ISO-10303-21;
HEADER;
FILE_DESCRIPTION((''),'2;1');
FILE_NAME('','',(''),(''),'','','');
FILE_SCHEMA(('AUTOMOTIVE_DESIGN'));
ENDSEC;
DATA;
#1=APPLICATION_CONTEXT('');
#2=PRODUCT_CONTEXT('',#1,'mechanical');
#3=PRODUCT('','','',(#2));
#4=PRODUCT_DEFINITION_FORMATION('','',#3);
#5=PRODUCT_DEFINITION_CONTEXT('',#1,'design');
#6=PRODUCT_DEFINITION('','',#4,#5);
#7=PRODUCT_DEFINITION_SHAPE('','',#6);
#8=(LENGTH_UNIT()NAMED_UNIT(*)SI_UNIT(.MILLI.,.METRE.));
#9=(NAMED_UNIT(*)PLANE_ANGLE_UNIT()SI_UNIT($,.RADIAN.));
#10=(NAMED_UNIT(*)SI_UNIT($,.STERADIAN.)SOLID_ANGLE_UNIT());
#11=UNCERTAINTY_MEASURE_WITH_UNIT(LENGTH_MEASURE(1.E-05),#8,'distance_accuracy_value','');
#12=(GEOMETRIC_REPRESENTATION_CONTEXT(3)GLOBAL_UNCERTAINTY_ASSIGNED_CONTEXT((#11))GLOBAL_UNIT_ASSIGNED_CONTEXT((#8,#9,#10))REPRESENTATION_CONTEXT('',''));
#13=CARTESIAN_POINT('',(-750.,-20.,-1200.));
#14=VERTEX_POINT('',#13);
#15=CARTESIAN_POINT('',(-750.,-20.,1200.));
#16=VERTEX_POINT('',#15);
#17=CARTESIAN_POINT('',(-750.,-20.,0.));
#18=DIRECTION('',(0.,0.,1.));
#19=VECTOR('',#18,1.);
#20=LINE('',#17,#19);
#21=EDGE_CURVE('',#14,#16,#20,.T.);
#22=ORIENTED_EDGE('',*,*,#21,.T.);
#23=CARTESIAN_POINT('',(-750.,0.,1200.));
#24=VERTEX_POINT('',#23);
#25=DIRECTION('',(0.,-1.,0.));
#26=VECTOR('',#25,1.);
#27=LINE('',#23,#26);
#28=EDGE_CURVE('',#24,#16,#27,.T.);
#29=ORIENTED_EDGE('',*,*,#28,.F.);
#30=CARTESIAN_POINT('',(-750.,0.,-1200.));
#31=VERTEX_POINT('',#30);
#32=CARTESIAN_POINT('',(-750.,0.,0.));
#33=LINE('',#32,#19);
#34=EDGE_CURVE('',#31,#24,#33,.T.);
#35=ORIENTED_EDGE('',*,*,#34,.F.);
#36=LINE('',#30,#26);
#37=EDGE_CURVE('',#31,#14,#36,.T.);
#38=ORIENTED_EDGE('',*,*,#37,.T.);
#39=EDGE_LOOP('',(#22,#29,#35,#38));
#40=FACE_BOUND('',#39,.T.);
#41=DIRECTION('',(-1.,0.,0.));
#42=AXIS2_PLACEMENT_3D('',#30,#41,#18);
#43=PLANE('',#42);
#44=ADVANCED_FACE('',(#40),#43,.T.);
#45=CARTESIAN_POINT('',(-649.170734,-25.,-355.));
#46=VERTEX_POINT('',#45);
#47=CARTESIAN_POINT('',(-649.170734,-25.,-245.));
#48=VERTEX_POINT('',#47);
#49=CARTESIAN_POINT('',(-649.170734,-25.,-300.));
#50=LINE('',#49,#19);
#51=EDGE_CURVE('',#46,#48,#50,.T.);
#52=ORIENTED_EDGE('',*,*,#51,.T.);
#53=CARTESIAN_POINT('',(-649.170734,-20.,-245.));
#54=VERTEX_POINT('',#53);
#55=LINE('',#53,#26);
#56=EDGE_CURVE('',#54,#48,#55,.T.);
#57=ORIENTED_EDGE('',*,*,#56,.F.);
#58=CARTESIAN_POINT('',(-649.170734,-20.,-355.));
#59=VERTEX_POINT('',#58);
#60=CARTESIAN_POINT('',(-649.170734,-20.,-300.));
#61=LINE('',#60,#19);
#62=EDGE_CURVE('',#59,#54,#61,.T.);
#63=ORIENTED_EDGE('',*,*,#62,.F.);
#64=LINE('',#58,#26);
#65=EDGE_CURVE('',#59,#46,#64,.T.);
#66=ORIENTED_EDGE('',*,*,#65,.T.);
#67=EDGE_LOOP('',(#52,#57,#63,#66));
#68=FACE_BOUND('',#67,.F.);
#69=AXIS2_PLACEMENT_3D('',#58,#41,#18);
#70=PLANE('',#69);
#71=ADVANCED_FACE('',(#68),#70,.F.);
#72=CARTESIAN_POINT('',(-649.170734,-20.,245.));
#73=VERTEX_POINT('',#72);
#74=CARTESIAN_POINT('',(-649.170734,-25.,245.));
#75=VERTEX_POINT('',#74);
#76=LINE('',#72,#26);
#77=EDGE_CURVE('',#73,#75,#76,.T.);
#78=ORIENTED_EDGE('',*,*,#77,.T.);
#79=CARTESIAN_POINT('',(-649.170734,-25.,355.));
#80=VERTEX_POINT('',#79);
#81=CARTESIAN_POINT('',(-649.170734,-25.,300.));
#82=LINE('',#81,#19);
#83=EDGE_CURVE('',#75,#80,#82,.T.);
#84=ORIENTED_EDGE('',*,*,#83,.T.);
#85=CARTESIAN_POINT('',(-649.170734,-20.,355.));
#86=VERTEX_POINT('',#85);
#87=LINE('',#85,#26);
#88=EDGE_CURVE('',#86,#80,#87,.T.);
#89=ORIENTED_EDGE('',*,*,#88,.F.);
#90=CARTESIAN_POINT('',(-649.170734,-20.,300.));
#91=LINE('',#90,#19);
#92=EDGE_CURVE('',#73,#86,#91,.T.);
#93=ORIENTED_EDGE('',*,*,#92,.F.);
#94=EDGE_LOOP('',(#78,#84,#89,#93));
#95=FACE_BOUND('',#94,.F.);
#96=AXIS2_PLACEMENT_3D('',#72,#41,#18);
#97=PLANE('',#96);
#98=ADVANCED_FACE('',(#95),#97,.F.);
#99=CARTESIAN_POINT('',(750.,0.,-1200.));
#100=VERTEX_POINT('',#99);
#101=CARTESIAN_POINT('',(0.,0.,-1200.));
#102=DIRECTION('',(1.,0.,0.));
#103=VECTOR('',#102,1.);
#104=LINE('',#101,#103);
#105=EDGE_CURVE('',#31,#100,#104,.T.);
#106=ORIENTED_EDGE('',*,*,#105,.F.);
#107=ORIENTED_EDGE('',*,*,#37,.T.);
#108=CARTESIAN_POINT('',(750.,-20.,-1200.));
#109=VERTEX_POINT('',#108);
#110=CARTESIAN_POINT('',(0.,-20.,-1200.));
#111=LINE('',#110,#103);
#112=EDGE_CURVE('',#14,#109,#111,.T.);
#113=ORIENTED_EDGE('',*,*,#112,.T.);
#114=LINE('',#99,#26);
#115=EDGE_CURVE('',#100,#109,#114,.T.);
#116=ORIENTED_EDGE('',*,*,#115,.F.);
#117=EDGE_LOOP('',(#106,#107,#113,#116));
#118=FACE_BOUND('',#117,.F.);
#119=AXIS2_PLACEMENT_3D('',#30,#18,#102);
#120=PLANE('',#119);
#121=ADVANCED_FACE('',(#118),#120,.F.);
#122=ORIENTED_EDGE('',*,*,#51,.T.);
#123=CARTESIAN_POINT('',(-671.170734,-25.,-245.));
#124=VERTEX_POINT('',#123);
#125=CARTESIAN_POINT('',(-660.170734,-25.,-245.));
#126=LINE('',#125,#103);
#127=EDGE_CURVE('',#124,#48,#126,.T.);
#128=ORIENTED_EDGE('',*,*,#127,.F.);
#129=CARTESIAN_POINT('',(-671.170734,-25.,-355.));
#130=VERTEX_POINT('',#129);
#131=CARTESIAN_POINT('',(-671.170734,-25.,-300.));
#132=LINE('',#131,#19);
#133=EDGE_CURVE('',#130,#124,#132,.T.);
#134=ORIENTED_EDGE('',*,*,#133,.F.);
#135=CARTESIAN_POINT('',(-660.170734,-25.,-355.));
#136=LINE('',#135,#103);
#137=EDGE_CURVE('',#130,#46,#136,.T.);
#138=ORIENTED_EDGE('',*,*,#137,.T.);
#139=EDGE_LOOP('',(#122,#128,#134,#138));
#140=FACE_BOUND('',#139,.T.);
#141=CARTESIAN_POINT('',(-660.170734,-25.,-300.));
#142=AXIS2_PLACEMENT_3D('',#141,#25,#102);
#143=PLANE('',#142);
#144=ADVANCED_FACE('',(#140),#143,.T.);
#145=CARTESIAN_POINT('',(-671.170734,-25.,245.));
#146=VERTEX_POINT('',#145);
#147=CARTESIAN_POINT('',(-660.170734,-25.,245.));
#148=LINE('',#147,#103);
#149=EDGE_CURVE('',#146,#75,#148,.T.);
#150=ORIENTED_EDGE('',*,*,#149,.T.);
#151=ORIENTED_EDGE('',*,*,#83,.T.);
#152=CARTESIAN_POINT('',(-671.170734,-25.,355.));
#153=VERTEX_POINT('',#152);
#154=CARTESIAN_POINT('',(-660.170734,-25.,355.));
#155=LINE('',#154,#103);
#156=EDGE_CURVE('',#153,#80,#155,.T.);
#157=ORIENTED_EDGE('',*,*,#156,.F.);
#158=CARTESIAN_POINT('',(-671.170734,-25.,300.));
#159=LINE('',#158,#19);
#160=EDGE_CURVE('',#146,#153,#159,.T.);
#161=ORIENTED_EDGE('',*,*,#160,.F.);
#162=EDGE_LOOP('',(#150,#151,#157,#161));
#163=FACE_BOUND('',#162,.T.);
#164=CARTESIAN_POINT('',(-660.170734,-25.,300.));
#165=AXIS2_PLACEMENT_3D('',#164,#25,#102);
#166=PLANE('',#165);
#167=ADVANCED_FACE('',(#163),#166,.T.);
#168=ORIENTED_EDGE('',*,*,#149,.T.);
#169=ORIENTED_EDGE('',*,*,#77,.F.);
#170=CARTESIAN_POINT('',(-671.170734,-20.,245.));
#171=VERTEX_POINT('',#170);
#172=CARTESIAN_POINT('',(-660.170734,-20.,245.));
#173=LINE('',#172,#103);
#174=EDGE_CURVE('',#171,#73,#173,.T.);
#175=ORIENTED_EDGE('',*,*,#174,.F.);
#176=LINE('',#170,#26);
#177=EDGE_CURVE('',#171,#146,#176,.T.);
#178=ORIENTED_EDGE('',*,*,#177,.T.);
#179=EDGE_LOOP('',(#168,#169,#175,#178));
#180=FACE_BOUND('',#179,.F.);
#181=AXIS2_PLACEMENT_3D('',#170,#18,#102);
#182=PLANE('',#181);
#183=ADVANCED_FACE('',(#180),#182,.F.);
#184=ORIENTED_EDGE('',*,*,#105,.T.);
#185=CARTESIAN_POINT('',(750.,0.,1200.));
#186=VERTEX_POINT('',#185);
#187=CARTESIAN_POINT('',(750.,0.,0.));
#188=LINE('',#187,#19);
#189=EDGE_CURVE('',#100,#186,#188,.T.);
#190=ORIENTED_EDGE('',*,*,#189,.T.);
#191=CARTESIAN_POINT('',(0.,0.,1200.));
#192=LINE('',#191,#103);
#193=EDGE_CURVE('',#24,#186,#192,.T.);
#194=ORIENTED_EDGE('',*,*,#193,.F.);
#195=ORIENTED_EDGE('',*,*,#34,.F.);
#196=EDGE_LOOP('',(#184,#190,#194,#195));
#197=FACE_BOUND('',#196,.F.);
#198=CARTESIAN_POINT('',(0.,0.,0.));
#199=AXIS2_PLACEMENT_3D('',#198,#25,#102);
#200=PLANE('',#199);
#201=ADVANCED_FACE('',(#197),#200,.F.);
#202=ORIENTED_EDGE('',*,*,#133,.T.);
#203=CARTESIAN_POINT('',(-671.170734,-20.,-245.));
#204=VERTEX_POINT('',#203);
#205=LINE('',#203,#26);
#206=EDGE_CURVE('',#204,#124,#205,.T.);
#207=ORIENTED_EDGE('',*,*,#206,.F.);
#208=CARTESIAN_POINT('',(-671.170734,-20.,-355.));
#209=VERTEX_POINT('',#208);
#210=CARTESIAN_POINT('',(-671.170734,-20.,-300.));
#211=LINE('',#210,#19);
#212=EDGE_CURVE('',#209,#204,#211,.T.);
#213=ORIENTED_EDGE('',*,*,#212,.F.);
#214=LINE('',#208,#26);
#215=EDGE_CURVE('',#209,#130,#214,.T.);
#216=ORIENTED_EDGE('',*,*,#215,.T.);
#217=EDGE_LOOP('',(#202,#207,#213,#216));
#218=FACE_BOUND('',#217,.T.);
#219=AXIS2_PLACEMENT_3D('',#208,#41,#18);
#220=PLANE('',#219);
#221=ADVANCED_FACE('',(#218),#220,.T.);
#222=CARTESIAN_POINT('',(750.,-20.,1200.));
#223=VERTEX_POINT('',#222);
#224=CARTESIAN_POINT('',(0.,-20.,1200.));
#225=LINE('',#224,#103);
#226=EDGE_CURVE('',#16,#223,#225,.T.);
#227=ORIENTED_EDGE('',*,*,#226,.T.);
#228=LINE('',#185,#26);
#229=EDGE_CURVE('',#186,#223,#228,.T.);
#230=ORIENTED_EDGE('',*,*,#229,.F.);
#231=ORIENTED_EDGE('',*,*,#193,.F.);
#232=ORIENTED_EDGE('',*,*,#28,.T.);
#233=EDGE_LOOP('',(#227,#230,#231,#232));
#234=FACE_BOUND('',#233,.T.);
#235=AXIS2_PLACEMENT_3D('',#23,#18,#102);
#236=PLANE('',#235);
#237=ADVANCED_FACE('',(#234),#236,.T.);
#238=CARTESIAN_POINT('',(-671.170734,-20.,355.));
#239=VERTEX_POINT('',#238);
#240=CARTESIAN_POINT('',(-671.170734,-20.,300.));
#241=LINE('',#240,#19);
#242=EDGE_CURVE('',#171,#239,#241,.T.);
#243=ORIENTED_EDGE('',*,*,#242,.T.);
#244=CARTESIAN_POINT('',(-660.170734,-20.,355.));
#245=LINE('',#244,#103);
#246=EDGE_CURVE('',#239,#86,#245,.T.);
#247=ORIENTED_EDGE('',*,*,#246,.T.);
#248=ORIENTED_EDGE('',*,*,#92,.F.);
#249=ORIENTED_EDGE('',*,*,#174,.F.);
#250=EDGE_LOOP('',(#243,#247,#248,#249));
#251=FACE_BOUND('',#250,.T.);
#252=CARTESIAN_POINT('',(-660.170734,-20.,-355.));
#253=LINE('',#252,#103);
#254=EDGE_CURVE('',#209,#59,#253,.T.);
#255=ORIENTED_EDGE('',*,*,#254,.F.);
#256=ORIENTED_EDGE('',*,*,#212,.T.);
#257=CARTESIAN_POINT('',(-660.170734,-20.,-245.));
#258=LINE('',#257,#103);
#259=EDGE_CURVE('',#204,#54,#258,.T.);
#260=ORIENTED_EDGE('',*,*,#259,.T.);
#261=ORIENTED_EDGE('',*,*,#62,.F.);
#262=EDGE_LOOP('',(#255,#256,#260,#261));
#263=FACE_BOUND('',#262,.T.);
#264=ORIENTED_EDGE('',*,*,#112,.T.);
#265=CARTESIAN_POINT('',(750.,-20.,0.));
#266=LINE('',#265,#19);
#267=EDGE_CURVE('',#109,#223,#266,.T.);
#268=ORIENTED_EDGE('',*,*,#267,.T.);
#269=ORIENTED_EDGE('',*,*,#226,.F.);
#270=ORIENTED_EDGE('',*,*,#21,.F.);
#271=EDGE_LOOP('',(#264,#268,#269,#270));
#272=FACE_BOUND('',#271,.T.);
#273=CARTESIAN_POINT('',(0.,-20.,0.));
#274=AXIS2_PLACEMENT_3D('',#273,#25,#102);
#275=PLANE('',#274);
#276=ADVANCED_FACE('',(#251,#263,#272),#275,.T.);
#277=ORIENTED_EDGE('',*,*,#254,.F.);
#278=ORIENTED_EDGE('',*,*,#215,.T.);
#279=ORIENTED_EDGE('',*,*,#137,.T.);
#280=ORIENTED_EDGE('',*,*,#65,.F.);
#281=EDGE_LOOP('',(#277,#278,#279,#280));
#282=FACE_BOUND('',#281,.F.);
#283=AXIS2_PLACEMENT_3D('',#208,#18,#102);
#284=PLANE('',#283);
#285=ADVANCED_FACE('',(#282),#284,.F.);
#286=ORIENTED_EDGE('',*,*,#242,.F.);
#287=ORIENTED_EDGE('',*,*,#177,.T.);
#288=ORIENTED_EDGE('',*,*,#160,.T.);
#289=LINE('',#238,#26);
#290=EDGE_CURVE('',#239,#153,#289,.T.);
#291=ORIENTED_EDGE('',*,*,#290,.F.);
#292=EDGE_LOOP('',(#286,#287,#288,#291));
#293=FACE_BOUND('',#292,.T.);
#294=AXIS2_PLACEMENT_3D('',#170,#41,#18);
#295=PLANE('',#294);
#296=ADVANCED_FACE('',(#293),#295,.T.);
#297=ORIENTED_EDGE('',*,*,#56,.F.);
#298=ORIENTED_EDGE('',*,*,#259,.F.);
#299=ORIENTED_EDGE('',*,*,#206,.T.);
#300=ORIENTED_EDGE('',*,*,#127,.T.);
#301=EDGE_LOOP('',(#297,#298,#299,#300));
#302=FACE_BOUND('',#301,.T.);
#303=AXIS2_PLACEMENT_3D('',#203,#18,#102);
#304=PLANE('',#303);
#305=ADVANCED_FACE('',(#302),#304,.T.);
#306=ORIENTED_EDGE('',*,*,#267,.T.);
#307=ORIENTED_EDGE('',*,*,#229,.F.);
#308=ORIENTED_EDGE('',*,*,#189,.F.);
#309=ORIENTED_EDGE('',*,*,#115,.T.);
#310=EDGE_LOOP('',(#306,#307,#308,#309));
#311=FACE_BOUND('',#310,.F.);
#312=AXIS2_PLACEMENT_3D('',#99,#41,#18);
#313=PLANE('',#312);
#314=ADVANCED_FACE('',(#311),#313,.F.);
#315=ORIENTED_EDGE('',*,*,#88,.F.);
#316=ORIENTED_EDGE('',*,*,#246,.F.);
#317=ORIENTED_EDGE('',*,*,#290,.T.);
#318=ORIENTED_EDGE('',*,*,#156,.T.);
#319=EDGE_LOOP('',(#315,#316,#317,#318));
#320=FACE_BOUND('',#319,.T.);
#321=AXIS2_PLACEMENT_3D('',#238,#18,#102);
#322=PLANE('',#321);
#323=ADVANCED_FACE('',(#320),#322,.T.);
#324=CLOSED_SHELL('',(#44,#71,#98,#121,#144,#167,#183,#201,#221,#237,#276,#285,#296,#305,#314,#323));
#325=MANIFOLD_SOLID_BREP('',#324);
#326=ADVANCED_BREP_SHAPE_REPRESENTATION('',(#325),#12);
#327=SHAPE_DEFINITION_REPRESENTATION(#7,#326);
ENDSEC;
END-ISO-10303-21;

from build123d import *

# Parameters (mm, degrees)
F0_W     = 1500
F0_H     = 2400
F1_DEPTH = 20
F2_W     = 22
F2_H     = 110
F3_DEPTH = 5


with BuildPart() as f1:
    # F0 (on Front) → F1 (new body)
    with BuildSketch(Plane.XZ):
        Rectangle(F0_W, F0_H)
    extrude(amount=F1_DEPTH)

    # F2 (on face) → F3 (join)
    with BuildSketch(Plane.XZ.offset(20)):
        with Locations((-660.170734, 300)):
            Rectangle(F2_W, F2_H)
        with Locations((-660.170734, -300)):
            Rectangle(F2_W, F2_H)
    extrude(amount=F3_DEPTH)


solid = f1.part
